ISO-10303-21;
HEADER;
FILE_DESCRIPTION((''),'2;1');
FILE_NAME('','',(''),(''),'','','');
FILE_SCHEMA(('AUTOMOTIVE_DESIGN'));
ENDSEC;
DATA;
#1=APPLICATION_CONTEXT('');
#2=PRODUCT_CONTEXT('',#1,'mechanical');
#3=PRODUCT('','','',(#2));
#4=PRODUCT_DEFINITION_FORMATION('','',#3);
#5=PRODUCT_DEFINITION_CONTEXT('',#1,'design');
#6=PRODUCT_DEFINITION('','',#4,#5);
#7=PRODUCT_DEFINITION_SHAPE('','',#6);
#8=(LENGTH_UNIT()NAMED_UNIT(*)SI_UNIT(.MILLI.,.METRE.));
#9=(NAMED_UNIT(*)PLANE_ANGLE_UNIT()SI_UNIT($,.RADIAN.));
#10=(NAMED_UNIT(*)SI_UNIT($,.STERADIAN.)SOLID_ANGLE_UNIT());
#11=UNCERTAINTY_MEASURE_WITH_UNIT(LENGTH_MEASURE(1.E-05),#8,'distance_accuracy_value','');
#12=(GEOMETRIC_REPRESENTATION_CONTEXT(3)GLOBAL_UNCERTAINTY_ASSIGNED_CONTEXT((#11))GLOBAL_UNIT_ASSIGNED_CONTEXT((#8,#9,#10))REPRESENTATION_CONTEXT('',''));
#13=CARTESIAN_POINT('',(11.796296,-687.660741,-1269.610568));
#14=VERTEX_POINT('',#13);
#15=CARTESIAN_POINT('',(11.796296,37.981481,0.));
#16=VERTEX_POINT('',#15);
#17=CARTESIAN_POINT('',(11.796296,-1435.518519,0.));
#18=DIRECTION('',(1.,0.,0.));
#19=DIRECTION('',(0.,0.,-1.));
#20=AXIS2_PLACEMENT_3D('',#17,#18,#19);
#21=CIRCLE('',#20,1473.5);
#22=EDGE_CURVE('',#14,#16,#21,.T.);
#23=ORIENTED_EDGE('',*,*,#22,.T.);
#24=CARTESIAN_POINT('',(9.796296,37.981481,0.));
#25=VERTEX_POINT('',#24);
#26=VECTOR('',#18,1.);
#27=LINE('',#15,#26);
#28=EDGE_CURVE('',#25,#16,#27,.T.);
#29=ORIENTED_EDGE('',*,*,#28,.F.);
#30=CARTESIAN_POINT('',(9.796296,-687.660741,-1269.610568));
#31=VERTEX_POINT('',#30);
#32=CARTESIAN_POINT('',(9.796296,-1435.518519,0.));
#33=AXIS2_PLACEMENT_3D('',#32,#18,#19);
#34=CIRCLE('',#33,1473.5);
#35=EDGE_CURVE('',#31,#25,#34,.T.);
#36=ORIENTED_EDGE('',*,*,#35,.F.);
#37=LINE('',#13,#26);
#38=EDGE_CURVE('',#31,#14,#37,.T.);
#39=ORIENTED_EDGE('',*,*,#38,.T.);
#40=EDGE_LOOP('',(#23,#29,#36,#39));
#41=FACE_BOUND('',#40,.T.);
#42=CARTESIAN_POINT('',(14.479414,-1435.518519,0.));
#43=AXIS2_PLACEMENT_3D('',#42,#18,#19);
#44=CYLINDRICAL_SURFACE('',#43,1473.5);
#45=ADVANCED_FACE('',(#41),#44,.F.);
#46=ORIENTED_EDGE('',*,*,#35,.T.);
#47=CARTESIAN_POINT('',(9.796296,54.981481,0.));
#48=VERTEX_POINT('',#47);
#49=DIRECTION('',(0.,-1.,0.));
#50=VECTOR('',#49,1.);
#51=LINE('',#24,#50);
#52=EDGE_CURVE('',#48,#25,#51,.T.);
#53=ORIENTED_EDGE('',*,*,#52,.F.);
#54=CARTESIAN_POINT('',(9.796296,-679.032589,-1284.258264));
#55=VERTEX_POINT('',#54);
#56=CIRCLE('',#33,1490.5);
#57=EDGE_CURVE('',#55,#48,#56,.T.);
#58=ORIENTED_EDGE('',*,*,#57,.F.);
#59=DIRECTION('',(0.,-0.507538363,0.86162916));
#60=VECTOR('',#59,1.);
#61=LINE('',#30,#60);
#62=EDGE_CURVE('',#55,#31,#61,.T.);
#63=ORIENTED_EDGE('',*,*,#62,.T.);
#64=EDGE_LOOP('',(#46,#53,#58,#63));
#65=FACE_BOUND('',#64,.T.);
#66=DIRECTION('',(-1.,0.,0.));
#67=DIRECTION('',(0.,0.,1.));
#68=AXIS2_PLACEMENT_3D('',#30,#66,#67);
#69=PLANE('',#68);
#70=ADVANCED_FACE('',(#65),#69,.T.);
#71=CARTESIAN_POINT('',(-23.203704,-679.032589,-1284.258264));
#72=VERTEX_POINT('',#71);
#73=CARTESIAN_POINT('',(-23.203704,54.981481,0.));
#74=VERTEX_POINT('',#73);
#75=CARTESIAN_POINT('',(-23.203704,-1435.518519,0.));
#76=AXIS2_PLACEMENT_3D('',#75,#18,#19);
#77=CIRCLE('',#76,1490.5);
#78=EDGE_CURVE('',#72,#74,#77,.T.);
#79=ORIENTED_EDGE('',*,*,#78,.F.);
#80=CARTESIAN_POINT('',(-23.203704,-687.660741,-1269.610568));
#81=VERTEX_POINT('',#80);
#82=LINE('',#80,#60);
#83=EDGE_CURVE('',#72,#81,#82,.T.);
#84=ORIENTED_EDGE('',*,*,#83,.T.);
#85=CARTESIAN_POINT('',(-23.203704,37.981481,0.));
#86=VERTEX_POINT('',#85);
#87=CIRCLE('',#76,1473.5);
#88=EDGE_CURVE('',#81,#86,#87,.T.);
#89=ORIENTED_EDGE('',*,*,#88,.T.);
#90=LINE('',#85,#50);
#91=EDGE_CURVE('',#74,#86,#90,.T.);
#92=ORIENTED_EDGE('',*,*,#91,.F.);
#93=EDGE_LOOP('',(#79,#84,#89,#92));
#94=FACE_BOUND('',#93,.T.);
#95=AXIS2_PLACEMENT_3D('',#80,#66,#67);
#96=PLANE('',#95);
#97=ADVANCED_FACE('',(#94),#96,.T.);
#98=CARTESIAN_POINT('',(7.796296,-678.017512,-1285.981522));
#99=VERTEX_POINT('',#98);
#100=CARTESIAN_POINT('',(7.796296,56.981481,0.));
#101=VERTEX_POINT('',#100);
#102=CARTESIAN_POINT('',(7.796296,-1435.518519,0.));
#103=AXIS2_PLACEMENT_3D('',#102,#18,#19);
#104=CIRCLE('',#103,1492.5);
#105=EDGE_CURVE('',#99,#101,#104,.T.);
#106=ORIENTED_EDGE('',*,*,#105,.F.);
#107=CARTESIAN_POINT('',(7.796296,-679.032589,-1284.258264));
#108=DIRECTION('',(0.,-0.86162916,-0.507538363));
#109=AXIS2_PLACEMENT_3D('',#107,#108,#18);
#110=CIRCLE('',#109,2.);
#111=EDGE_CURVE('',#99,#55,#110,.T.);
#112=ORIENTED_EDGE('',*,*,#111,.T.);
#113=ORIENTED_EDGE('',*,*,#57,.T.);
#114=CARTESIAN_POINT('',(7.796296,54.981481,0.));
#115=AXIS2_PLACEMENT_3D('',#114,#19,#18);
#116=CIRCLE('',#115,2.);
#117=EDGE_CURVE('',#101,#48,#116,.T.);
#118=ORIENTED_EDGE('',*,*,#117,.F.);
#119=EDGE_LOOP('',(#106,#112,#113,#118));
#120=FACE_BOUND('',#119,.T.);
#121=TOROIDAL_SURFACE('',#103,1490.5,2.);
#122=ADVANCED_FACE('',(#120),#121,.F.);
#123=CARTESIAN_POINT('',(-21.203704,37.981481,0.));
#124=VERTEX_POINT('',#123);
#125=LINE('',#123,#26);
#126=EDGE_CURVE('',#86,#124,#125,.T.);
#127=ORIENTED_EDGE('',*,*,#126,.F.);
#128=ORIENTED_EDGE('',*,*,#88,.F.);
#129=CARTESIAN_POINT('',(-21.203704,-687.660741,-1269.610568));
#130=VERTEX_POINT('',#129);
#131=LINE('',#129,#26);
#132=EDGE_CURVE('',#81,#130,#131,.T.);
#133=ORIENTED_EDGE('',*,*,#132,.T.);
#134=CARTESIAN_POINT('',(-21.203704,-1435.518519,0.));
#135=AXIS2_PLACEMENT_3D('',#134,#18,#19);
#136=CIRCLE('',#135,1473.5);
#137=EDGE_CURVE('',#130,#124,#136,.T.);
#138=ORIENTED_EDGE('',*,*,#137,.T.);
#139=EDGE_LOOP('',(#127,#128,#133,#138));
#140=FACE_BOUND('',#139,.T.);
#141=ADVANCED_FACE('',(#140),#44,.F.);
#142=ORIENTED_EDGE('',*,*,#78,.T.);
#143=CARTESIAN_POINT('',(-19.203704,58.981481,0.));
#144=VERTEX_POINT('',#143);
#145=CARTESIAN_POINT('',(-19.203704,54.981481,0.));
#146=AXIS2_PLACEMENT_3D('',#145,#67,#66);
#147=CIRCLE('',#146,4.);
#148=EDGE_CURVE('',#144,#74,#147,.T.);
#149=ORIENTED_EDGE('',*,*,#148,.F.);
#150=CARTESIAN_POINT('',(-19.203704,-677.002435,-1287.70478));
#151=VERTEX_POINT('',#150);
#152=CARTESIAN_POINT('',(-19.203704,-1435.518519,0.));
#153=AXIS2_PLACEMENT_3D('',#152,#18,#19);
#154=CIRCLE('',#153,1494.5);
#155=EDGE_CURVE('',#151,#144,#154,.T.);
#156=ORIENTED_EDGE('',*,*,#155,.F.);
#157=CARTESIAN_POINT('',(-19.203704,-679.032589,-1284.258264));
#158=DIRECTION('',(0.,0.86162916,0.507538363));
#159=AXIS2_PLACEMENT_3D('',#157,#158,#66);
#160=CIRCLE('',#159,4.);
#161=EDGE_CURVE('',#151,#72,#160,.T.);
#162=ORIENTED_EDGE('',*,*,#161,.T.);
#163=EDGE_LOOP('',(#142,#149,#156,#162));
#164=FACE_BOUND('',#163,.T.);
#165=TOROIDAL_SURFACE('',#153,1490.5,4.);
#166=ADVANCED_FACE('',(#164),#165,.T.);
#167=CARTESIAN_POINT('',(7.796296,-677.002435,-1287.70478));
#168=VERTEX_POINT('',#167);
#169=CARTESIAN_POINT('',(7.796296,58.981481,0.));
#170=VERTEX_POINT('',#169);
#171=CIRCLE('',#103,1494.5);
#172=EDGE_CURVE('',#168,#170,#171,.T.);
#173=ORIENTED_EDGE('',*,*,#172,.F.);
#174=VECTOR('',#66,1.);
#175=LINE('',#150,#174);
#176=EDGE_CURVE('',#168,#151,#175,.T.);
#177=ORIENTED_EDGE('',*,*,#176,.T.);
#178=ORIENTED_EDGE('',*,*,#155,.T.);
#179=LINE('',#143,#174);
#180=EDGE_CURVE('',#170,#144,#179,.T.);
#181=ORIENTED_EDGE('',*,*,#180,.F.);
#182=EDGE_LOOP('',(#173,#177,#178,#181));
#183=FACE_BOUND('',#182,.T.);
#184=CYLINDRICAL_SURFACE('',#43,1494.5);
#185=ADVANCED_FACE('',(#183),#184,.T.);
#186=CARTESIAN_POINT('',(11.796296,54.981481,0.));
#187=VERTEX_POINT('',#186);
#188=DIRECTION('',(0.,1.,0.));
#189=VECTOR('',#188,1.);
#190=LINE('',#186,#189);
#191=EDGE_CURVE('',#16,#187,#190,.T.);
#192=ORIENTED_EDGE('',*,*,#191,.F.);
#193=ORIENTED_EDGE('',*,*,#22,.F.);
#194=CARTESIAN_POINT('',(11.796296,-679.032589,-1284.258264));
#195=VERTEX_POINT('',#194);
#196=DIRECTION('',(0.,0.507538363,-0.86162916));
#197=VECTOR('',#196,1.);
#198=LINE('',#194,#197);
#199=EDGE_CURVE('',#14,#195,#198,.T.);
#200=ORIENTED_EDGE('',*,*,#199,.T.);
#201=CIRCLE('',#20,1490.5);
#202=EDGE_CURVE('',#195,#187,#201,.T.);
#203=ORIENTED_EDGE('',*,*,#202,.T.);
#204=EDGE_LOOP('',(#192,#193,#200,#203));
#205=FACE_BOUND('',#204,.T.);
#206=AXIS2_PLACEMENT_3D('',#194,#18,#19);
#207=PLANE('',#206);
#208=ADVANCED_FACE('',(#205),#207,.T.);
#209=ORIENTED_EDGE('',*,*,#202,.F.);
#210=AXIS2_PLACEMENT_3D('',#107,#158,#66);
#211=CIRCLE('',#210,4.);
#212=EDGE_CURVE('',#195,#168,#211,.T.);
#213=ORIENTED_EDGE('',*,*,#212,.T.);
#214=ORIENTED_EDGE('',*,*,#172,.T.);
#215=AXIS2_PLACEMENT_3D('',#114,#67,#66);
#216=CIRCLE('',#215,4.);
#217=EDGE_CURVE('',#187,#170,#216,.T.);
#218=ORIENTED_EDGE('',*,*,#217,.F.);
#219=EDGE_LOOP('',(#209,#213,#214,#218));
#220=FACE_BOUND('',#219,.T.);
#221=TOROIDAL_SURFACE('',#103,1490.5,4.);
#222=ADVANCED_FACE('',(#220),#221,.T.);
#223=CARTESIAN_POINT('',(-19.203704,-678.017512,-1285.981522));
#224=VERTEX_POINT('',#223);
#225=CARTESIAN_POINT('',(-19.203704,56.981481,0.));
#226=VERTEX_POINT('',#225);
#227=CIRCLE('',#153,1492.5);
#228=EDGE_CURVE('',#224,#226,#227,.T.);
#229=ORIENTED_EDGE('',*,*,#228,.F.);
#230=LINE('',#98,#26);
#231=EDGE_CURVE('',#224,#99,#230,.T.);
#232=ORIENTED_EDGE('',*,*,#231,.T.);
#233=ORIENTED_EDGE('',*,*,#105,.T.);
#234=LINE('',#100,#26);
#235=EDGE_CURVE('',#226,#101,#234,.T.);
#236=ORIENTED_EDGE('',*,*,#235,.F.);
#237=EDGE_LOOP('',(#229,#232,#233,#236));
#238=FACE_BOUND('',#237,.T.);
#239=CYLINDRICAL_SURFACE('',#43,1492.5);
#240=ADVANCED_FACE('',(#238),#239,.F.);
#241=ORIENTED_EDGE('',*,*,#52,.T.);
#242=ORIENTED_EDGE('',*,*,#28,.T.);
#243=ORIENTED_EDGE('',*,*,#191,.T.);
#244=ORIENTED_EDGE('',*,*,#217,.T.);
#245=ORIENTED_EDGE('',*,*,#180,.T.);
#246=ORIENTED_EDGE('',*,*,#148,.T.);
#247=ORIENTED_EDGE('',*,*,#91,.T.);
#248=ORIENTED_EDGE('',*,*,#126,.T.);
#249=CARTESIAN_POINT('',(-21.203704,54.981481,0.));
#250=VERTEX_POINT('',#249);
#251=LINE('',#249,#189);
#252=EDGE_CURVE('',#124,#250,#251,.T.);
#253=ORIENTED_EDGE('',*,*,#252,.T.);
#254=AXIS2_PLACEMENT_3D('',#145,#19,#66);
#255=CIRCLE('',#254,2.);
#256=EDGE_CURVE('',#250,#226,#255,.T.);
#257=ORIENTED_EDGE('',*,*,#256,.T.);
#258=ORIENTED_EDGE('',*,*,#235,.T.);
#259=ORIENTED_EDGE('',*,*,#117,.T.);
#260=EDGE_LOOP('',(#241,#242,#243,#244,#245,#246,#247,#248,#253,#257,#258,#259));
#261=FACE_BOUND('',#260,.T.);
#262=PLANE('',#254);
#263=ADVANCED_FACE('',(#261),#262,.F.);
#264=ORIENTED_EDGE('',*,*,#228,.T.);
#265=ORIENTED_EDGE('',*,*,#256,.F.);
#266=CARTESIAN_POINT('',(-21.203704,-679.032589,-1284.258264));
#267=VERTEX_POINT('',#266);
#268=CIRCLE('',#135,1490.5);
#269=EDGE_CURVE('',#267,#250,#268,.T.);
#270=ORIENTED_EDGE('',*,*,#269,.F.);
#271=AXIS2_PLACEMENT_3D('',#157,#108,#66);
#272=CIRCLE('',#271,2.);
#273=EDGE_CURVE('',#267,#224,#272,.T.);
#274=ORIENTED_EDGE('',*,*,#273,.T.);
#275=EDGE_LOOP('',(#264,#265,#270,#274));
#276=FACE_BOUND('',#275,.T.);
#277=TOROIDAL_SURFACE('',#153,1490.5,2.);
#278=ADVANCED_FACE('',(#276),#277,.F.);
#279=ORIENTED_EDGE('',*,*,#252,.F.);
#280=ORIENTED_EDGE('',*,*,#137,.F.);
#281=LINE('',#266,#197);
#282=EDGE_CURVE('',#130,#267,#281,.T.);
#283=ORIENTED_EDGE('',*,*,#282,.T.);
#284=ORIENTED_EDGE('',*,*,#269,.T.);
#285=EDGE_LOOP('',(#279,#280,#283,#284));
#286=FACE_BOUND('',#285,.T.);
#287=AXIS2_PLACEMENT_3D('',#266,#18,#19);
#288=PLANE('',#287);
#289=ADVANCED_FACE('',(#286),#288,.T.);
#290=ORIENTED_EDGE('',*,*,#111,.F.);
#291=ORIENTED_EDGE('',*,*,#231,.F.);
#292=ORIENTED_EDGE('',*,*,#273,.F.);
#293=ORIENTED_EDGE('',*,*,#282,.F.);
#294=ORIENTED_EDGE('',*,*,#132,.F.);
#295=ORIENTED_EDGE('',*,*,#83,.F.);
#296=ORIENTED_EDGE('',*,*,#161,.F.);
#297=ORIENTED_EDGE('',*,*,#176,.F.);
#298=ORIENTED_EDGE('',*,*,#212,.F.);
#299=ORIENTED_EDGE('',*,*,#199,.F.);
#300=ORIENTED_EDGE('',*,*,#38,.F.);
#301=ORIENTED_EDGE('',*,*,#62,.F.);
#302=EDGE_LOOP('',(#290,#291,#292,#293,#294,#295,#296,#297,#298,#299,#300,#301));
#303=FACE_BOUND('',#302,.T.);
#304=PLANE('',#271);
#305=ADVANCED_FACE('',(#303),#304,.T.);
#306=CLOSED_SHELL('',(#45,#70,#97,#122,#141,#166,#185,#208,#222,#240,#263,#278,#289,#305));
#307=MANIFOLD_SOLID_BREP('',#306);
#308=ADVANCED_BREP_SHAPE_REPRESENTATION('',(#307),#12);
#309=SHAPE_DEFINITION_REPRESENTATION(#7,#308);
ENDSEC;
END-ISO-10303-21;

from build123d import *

# Parameters (mm, degrees)
REVOLVE1_ANGLE = 59.5


with BuildPart() as part:
    # Sketch1 → Revolve1 (revolve)
    with BuildSketch(Plane.XY):
        with BuildLine():
            Line((-23.203703704, 37.981481481), (-23.203703704, 54.981481481))
            ThreePointArc((-23.203703704, 54.981481481), (-22.032130828, 57.809908606), (-19.203703704, 58.981481481))
            Line((-19.203703704, 58.981481481), (7.796296296, 58.981481481))
            ThreePointArc((7.796296296, 58.981481481), (10.624723421, 57.809908606), (11.796296296, 54.981481481))
            Line((11.796296296, 54.981481481), (11.796296296, 37.981481481))
            Line((11.796296296, 37.981481481), (9.796296296, 37.981481481))
            Line((9.796296296, 37.981481481), (9.796296296, 54.981481481))
            ThreePointArc((9.796296296, 54.981481481), (9.210509859, 56.395695044), (7.796296296, 56.981481481))
            Line((7.796296296, 56.981481481), (-19.203703704, 56.981481481))
            ThreePointArc((-19.203703704, 56.981481481), (-20.617917266, 56.395695044), (-21.203703704, 54.981481481))
            Line((-21.203703704, 54.981481481), (-21.203703704, 37.981481481))
            Line((-21.203703704, 37.981481481), (-23.203703704, 37.981481481))
        make_face()
    revolve(axis=Axis((14.479414078, -1435.518518519, 0), (-1, 0, 0)), revolution_arc=REVOLVE1_ANGLE)


solid = part.part
